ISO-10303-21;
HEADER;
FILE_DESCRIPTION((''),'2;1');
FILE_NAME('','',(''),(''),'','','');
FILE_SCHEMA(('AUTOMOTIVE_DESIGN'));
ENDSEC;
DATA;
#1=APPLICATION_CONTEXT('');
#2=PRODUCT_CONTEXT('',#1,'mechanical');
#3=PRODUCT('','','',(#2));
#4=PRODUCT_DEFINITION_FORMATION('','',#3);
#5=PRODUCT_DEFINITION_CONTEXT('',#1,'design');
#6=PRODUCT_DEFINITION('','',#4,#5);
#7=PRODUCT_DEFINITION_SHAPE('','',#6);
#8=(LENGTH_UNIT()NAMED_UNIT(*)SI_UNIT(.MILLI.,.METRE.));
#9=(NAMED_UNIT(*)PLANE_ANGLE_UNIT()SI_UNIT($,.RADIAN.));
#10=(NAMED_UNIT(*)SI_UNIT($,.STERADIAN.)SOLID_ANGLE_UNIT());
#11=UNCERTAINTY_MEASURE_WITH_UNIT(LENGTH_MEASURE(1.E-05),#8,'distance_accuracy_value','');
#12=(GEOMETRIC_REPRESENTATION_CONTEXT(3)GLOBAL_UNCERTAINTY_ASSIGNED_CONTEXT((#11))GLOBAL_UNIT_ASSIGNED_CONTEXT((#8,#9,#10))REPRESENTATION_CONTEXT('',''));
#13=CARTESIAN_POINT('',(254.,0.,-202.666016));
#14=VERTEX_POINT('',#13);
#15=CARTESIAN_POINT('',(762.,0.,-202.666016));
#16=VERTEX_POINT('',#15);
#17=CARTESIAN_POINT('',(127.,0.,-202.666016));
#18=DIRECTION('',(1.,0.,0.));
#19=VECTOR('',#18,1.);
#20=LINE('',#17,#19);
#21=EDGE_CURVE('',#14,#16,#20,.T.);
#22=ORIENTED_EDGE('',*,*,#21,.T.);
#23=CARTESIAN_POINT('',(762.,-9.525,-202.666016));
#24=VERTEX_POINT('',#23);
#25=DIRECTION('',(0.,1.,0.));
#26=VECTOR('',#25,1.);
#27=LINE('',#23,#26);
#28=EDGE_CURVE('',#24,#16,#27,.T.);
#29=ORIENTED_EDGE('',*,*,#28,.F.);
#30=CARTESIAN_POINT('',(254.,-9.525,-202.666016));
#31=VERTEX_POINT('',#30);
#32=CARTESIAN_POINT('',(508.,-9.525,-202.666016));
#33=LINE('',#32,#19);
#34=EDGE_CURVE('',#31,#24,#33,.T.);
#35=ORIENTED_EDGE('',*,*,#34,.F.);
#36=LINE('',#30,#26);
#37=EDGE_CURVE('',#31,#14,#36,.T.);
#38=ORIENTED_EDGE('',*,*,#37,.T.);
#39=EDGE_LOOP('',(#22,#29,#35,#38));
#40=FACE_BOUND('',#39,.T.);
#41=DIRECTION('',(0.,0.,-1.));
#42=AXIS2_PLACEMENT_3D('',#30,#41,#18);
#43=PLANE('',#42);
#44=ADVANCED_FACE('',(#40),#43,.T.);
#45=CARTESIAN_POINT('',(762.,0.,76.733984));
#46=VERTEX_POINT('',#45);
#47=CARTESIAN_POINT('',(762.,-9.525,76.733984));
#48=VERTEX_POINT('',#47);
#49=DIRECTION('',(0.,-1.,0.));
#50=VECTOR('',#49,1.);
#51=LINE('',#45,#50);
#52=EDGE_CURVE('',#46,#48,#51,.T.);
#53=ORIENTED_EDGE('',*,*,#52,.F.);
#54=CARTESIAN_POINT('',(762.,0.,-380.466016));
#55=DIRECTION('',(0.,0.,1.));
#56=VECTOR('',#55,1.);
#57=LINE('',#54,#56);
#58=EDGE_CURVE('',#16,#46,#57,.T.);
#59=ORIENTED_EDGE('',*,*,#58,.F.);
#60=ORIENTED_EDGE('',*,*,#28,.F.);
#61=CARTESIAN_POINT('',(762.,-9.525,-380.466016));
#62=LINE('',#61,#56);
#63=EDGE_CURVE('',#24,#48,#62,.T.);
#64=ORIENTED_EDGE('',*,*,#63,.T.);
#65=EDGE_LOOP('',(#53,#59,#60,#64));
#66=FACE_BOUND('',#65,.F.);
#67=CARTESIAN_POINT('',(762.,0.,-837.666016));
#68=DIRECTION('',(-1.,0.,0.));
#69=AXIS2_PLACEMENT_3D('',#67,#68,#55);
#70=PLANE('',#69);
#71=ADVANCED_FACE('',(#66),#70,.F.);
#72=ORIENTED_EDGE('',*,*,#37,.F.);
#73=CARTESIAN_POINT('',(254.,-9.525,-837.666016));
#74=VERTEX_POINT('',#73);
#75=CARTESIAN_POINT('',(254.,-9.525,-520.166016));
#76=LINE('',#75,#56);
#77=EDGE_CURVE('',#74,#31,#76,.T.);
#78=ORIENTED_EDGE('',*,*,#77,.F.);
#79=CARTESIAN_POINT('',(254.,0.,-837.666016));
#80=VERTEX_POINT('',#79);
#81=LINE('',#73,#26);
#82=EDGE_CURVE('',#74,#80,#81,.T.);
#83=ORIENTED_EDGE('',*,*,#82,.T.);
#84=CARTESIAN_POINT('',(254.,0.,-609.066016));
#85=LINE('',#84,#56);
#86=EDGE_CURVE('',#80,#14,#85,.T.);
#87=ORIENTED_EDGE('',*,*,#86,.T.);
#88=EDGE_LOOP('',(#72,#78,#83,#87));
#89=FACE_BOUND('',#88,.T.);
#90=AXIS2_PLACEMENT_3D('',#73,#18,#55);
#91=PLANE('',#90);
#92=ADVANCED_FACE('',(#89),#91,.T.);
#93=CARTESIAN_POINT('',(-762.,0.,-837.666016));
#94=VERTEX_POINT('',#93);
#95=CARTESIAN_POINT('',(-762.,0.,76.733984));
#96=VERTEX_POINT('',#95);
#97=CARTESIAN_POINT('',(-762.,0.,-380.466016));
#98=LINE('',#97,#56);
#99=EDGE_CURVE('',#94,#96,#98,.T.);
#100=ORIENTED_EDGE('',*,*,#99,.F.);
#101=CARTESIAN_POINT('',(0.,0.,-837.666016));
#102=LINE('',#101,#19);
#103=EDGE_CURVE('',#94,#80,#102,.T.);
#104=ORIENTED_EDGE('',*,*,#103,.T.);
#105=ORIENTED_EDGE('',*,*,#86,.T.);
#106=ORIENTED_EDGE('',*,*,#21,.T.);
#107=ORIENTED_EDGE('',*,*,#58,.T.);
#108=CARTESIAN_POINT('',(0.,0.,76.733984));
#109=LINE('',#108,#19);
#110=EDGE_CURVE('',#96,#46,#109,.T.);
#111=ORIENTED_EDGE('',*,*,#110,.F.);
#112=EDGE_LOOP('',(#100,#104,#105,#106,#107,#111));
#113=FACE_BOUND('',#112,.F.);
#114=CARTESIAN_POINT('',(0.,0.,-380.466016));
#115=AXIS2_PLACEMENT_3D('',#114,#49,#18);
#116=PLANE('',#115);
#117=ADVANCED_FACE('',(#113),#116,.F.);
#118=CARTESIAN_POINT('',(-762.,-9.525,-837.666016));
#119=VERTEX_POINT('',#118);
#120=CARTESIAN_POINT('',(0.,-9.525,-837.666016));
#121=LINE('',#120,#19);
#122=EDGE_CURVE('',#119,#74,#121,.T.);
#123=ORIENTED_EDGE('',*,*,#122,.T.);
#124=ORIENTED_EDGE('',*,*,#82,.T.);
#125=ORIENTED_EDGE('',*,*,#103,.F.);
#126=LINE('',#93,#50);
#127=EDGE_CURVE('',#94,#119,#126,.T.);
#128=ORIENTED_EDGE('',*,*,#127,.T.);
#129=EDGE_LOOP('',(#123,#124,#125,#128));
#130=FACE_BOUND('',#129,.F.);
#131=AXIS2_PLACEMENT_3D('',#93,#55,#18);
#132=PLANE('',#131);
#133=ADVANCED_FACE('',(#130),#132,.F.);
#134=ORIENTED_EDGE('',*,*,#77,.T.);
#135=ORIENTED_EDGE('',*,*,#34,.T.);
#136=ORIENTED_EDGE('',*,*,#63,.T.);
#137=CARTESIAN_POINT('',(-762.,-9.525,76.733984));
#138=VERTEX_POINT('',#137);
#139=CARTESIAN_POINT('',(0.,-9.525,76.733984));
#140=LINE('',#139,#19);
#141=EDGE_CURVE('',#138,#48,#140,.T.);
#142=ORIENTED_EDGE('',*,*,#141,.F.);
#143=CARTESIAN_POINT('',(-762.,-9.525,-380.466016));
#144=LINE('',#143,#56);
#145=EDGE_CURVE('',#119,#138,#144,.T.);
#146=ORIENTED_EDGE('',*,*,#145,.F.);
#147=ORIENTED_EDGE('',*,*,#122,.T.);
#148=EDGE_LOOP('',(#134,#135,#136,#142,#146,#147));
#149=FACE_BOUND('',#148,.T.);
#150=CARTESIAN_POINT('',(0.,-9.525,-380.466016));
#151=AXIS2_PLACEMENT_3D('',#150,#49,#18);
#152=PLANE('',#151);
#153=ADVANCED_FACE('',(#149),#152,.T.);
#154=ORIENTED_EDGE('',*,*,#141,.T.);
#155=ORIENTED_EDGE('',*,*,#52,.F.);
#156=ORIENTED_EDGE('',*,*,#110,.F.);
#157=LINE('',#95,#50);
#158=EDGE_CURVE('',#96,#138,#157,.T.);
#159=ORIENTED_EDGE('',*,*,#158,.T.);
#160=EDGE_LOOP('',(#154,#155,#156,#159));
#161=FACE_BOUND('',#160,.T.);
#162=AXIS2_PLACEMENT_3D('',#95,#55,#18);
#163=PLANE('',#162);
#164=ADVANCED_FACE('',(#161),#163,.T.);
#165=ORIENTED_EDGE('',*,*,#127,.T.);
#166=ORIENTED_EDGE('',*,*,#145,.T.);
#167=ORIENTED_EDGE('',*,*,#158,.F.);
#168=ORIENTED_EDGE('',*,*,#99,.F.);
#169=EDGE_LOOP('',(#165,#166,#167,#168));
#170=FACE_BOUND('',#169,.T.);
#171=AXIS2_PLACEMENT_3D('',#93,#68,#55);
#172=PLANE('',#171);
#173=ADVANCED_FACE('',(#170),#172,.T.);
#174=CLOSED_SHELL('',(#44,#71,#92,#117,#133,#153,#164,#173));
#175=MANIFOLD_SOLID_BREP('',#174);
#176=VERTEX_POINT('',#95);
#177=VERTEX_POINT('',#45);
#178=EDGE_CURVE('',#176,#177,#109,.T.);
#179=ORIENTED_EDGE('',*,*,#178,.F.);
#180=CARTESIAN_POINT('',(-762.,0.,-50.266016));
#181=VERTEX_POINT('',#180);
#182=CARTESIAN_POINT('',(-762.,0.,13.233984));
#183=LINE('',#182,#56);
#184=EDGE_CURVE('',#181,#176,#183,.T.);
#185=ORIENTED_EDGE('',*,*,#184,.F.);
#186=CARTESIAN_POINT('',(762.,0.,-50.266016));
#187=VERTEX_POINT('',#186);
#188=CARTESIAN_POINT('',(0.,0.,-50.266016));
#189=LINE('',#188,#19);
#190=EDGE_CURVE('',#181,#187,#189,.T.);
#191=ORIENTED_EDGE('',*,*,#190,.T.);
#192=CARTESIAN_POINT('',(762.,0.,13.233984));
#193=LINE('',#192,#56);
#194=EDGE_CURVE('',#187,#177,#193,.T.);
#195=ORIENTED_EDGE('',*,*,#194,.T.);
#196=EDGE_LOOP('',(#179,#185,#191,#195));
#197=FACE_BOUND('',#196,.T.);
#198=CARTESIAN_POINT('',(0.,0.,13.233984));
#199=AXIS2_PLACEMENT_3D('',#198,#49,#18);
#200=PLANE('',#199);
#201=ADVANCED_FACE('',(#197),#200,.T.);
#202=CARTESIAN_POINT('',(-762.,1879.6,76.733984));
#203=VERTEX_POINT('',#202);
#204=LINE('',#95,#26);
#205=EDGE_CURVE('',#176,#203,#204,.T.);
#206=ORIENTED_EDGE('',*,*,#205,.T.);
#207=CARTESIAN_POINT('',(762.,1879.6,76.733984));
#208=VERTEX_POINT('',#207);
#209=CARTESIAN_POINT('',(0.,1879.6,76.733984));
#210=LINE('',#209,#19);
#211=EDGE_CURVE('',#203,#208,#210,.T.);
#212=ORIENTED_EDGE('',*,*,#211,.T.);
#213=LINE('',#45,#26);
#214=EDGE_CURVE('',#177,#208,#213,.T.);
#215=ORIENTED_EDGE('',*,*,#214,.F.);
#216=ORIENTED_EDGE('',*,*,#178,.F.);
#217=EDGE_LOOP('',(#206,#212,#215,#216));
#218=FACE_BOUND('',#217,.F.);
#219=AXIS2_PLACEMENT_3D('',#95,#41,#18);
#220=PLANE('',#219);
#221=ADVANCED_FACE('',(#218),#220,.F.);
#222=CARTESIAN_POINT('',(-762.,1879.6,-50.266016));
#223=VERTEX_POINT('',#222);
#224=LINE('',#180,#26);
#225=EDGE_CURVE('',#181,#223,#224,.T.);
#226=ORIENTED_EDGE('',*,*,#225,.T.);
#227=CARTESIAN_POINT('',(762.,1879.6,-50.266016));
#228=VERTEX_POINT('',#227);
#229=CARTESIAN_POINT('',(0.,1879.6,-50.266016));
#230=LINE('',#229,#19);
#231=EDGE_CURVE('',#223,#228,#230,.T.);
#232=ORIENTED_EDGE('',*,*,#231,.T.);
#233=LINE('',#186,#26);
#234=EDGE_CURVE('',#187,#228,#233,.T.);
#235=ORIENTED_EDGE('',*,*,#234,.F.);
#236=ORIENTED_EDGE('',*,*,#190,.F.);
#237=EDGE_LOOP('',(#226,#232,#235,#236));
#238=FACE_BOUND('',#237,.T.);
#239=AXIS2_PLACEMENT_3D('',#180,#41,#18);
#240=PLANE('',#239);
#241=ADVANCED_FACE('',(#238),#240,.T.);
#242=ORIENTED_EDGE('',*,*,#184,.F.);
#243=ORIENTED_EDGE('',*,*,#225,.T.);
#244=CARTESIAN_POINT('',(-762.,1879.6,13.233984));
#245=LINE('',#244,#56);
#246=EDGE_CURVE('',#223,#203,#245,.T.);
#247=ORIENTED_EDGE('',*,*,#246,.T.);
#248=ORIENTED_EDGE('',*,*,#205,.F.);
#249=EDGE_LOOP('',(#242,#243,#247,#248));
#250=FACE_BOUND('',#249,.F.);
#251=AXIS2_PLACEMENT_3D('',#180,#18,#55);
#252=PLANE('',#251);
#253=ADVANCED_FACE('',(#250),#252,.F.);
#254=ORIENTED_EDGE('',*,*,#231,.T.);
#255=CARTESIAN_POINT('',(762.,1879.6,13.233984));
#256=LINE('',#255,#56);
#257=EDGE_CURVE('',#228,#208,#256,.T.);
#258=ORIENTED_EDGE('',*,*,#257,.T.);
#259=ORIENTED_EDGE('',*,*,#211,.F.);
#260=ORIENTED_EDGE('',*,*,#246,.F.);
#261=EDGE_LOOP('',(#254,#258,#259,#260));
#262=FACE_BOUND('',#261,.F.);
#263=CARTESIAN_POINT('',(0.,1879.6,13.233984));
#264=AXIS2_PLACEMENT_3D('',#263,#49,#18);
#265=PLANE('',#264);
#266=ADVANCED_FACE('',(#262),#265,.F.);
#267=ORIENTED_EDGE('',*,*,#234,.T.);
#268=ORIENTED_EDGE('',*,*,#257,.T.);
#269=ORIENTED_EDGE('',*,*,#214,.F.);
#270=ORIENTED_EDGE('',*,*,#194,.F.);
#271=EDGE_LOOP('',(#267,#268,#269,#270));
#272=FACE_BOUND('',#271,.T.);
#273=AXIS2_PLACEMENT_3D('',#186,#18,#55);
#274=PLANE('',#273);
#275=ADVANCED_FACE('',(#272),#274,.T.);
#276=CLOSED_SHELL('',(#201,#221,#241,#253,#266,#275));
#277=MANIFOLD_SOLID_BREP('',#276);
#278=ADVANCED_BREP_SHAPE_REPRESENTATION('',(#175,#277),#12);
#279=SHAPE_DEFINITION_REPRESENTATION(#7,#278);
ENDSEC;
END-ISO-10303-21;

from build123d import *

# Parameters (mm, degrees)
F0_W     = 1524
F0_H     = 127
F1_DEPTH = 1879.6
F2_W     = 1524
F2_H     = 914.4
F3_DEPTH = 9.525
F4_W     = 508
F4_H     = 635
F5_DEPTH = 19.05


with BuildPart() as f1:
    # F0 (on Front) → F1 (new body)
    with BuildSketch(Plane.XZ):
        with Locations((0, 13.233984)):
            Rectangle(F0_W, F0_H)
    extrude(amount=-F1_DEPTH)


with BuildPart() as f3:
    # F2 (on face) → F3 (new body)
    with BuildSketch(Plane.XZ):
        with Locations((0, -380.466016)):
            Rectangle(F2_W, F2_H)
    extrude(amount=F3_DEPTH)

    # F4 (on face) → F5 (cut)
    with BuildSketch(Plane.XZ.offset(9.525)):
        with Locations((508, -520.166016)):
            Rectangle(F4_W, F4_H)
    extrude(amount=-F5_DEPTH, mode=Mode.SUBTRACT)


solid = Compound([f1.part, f3.part])
